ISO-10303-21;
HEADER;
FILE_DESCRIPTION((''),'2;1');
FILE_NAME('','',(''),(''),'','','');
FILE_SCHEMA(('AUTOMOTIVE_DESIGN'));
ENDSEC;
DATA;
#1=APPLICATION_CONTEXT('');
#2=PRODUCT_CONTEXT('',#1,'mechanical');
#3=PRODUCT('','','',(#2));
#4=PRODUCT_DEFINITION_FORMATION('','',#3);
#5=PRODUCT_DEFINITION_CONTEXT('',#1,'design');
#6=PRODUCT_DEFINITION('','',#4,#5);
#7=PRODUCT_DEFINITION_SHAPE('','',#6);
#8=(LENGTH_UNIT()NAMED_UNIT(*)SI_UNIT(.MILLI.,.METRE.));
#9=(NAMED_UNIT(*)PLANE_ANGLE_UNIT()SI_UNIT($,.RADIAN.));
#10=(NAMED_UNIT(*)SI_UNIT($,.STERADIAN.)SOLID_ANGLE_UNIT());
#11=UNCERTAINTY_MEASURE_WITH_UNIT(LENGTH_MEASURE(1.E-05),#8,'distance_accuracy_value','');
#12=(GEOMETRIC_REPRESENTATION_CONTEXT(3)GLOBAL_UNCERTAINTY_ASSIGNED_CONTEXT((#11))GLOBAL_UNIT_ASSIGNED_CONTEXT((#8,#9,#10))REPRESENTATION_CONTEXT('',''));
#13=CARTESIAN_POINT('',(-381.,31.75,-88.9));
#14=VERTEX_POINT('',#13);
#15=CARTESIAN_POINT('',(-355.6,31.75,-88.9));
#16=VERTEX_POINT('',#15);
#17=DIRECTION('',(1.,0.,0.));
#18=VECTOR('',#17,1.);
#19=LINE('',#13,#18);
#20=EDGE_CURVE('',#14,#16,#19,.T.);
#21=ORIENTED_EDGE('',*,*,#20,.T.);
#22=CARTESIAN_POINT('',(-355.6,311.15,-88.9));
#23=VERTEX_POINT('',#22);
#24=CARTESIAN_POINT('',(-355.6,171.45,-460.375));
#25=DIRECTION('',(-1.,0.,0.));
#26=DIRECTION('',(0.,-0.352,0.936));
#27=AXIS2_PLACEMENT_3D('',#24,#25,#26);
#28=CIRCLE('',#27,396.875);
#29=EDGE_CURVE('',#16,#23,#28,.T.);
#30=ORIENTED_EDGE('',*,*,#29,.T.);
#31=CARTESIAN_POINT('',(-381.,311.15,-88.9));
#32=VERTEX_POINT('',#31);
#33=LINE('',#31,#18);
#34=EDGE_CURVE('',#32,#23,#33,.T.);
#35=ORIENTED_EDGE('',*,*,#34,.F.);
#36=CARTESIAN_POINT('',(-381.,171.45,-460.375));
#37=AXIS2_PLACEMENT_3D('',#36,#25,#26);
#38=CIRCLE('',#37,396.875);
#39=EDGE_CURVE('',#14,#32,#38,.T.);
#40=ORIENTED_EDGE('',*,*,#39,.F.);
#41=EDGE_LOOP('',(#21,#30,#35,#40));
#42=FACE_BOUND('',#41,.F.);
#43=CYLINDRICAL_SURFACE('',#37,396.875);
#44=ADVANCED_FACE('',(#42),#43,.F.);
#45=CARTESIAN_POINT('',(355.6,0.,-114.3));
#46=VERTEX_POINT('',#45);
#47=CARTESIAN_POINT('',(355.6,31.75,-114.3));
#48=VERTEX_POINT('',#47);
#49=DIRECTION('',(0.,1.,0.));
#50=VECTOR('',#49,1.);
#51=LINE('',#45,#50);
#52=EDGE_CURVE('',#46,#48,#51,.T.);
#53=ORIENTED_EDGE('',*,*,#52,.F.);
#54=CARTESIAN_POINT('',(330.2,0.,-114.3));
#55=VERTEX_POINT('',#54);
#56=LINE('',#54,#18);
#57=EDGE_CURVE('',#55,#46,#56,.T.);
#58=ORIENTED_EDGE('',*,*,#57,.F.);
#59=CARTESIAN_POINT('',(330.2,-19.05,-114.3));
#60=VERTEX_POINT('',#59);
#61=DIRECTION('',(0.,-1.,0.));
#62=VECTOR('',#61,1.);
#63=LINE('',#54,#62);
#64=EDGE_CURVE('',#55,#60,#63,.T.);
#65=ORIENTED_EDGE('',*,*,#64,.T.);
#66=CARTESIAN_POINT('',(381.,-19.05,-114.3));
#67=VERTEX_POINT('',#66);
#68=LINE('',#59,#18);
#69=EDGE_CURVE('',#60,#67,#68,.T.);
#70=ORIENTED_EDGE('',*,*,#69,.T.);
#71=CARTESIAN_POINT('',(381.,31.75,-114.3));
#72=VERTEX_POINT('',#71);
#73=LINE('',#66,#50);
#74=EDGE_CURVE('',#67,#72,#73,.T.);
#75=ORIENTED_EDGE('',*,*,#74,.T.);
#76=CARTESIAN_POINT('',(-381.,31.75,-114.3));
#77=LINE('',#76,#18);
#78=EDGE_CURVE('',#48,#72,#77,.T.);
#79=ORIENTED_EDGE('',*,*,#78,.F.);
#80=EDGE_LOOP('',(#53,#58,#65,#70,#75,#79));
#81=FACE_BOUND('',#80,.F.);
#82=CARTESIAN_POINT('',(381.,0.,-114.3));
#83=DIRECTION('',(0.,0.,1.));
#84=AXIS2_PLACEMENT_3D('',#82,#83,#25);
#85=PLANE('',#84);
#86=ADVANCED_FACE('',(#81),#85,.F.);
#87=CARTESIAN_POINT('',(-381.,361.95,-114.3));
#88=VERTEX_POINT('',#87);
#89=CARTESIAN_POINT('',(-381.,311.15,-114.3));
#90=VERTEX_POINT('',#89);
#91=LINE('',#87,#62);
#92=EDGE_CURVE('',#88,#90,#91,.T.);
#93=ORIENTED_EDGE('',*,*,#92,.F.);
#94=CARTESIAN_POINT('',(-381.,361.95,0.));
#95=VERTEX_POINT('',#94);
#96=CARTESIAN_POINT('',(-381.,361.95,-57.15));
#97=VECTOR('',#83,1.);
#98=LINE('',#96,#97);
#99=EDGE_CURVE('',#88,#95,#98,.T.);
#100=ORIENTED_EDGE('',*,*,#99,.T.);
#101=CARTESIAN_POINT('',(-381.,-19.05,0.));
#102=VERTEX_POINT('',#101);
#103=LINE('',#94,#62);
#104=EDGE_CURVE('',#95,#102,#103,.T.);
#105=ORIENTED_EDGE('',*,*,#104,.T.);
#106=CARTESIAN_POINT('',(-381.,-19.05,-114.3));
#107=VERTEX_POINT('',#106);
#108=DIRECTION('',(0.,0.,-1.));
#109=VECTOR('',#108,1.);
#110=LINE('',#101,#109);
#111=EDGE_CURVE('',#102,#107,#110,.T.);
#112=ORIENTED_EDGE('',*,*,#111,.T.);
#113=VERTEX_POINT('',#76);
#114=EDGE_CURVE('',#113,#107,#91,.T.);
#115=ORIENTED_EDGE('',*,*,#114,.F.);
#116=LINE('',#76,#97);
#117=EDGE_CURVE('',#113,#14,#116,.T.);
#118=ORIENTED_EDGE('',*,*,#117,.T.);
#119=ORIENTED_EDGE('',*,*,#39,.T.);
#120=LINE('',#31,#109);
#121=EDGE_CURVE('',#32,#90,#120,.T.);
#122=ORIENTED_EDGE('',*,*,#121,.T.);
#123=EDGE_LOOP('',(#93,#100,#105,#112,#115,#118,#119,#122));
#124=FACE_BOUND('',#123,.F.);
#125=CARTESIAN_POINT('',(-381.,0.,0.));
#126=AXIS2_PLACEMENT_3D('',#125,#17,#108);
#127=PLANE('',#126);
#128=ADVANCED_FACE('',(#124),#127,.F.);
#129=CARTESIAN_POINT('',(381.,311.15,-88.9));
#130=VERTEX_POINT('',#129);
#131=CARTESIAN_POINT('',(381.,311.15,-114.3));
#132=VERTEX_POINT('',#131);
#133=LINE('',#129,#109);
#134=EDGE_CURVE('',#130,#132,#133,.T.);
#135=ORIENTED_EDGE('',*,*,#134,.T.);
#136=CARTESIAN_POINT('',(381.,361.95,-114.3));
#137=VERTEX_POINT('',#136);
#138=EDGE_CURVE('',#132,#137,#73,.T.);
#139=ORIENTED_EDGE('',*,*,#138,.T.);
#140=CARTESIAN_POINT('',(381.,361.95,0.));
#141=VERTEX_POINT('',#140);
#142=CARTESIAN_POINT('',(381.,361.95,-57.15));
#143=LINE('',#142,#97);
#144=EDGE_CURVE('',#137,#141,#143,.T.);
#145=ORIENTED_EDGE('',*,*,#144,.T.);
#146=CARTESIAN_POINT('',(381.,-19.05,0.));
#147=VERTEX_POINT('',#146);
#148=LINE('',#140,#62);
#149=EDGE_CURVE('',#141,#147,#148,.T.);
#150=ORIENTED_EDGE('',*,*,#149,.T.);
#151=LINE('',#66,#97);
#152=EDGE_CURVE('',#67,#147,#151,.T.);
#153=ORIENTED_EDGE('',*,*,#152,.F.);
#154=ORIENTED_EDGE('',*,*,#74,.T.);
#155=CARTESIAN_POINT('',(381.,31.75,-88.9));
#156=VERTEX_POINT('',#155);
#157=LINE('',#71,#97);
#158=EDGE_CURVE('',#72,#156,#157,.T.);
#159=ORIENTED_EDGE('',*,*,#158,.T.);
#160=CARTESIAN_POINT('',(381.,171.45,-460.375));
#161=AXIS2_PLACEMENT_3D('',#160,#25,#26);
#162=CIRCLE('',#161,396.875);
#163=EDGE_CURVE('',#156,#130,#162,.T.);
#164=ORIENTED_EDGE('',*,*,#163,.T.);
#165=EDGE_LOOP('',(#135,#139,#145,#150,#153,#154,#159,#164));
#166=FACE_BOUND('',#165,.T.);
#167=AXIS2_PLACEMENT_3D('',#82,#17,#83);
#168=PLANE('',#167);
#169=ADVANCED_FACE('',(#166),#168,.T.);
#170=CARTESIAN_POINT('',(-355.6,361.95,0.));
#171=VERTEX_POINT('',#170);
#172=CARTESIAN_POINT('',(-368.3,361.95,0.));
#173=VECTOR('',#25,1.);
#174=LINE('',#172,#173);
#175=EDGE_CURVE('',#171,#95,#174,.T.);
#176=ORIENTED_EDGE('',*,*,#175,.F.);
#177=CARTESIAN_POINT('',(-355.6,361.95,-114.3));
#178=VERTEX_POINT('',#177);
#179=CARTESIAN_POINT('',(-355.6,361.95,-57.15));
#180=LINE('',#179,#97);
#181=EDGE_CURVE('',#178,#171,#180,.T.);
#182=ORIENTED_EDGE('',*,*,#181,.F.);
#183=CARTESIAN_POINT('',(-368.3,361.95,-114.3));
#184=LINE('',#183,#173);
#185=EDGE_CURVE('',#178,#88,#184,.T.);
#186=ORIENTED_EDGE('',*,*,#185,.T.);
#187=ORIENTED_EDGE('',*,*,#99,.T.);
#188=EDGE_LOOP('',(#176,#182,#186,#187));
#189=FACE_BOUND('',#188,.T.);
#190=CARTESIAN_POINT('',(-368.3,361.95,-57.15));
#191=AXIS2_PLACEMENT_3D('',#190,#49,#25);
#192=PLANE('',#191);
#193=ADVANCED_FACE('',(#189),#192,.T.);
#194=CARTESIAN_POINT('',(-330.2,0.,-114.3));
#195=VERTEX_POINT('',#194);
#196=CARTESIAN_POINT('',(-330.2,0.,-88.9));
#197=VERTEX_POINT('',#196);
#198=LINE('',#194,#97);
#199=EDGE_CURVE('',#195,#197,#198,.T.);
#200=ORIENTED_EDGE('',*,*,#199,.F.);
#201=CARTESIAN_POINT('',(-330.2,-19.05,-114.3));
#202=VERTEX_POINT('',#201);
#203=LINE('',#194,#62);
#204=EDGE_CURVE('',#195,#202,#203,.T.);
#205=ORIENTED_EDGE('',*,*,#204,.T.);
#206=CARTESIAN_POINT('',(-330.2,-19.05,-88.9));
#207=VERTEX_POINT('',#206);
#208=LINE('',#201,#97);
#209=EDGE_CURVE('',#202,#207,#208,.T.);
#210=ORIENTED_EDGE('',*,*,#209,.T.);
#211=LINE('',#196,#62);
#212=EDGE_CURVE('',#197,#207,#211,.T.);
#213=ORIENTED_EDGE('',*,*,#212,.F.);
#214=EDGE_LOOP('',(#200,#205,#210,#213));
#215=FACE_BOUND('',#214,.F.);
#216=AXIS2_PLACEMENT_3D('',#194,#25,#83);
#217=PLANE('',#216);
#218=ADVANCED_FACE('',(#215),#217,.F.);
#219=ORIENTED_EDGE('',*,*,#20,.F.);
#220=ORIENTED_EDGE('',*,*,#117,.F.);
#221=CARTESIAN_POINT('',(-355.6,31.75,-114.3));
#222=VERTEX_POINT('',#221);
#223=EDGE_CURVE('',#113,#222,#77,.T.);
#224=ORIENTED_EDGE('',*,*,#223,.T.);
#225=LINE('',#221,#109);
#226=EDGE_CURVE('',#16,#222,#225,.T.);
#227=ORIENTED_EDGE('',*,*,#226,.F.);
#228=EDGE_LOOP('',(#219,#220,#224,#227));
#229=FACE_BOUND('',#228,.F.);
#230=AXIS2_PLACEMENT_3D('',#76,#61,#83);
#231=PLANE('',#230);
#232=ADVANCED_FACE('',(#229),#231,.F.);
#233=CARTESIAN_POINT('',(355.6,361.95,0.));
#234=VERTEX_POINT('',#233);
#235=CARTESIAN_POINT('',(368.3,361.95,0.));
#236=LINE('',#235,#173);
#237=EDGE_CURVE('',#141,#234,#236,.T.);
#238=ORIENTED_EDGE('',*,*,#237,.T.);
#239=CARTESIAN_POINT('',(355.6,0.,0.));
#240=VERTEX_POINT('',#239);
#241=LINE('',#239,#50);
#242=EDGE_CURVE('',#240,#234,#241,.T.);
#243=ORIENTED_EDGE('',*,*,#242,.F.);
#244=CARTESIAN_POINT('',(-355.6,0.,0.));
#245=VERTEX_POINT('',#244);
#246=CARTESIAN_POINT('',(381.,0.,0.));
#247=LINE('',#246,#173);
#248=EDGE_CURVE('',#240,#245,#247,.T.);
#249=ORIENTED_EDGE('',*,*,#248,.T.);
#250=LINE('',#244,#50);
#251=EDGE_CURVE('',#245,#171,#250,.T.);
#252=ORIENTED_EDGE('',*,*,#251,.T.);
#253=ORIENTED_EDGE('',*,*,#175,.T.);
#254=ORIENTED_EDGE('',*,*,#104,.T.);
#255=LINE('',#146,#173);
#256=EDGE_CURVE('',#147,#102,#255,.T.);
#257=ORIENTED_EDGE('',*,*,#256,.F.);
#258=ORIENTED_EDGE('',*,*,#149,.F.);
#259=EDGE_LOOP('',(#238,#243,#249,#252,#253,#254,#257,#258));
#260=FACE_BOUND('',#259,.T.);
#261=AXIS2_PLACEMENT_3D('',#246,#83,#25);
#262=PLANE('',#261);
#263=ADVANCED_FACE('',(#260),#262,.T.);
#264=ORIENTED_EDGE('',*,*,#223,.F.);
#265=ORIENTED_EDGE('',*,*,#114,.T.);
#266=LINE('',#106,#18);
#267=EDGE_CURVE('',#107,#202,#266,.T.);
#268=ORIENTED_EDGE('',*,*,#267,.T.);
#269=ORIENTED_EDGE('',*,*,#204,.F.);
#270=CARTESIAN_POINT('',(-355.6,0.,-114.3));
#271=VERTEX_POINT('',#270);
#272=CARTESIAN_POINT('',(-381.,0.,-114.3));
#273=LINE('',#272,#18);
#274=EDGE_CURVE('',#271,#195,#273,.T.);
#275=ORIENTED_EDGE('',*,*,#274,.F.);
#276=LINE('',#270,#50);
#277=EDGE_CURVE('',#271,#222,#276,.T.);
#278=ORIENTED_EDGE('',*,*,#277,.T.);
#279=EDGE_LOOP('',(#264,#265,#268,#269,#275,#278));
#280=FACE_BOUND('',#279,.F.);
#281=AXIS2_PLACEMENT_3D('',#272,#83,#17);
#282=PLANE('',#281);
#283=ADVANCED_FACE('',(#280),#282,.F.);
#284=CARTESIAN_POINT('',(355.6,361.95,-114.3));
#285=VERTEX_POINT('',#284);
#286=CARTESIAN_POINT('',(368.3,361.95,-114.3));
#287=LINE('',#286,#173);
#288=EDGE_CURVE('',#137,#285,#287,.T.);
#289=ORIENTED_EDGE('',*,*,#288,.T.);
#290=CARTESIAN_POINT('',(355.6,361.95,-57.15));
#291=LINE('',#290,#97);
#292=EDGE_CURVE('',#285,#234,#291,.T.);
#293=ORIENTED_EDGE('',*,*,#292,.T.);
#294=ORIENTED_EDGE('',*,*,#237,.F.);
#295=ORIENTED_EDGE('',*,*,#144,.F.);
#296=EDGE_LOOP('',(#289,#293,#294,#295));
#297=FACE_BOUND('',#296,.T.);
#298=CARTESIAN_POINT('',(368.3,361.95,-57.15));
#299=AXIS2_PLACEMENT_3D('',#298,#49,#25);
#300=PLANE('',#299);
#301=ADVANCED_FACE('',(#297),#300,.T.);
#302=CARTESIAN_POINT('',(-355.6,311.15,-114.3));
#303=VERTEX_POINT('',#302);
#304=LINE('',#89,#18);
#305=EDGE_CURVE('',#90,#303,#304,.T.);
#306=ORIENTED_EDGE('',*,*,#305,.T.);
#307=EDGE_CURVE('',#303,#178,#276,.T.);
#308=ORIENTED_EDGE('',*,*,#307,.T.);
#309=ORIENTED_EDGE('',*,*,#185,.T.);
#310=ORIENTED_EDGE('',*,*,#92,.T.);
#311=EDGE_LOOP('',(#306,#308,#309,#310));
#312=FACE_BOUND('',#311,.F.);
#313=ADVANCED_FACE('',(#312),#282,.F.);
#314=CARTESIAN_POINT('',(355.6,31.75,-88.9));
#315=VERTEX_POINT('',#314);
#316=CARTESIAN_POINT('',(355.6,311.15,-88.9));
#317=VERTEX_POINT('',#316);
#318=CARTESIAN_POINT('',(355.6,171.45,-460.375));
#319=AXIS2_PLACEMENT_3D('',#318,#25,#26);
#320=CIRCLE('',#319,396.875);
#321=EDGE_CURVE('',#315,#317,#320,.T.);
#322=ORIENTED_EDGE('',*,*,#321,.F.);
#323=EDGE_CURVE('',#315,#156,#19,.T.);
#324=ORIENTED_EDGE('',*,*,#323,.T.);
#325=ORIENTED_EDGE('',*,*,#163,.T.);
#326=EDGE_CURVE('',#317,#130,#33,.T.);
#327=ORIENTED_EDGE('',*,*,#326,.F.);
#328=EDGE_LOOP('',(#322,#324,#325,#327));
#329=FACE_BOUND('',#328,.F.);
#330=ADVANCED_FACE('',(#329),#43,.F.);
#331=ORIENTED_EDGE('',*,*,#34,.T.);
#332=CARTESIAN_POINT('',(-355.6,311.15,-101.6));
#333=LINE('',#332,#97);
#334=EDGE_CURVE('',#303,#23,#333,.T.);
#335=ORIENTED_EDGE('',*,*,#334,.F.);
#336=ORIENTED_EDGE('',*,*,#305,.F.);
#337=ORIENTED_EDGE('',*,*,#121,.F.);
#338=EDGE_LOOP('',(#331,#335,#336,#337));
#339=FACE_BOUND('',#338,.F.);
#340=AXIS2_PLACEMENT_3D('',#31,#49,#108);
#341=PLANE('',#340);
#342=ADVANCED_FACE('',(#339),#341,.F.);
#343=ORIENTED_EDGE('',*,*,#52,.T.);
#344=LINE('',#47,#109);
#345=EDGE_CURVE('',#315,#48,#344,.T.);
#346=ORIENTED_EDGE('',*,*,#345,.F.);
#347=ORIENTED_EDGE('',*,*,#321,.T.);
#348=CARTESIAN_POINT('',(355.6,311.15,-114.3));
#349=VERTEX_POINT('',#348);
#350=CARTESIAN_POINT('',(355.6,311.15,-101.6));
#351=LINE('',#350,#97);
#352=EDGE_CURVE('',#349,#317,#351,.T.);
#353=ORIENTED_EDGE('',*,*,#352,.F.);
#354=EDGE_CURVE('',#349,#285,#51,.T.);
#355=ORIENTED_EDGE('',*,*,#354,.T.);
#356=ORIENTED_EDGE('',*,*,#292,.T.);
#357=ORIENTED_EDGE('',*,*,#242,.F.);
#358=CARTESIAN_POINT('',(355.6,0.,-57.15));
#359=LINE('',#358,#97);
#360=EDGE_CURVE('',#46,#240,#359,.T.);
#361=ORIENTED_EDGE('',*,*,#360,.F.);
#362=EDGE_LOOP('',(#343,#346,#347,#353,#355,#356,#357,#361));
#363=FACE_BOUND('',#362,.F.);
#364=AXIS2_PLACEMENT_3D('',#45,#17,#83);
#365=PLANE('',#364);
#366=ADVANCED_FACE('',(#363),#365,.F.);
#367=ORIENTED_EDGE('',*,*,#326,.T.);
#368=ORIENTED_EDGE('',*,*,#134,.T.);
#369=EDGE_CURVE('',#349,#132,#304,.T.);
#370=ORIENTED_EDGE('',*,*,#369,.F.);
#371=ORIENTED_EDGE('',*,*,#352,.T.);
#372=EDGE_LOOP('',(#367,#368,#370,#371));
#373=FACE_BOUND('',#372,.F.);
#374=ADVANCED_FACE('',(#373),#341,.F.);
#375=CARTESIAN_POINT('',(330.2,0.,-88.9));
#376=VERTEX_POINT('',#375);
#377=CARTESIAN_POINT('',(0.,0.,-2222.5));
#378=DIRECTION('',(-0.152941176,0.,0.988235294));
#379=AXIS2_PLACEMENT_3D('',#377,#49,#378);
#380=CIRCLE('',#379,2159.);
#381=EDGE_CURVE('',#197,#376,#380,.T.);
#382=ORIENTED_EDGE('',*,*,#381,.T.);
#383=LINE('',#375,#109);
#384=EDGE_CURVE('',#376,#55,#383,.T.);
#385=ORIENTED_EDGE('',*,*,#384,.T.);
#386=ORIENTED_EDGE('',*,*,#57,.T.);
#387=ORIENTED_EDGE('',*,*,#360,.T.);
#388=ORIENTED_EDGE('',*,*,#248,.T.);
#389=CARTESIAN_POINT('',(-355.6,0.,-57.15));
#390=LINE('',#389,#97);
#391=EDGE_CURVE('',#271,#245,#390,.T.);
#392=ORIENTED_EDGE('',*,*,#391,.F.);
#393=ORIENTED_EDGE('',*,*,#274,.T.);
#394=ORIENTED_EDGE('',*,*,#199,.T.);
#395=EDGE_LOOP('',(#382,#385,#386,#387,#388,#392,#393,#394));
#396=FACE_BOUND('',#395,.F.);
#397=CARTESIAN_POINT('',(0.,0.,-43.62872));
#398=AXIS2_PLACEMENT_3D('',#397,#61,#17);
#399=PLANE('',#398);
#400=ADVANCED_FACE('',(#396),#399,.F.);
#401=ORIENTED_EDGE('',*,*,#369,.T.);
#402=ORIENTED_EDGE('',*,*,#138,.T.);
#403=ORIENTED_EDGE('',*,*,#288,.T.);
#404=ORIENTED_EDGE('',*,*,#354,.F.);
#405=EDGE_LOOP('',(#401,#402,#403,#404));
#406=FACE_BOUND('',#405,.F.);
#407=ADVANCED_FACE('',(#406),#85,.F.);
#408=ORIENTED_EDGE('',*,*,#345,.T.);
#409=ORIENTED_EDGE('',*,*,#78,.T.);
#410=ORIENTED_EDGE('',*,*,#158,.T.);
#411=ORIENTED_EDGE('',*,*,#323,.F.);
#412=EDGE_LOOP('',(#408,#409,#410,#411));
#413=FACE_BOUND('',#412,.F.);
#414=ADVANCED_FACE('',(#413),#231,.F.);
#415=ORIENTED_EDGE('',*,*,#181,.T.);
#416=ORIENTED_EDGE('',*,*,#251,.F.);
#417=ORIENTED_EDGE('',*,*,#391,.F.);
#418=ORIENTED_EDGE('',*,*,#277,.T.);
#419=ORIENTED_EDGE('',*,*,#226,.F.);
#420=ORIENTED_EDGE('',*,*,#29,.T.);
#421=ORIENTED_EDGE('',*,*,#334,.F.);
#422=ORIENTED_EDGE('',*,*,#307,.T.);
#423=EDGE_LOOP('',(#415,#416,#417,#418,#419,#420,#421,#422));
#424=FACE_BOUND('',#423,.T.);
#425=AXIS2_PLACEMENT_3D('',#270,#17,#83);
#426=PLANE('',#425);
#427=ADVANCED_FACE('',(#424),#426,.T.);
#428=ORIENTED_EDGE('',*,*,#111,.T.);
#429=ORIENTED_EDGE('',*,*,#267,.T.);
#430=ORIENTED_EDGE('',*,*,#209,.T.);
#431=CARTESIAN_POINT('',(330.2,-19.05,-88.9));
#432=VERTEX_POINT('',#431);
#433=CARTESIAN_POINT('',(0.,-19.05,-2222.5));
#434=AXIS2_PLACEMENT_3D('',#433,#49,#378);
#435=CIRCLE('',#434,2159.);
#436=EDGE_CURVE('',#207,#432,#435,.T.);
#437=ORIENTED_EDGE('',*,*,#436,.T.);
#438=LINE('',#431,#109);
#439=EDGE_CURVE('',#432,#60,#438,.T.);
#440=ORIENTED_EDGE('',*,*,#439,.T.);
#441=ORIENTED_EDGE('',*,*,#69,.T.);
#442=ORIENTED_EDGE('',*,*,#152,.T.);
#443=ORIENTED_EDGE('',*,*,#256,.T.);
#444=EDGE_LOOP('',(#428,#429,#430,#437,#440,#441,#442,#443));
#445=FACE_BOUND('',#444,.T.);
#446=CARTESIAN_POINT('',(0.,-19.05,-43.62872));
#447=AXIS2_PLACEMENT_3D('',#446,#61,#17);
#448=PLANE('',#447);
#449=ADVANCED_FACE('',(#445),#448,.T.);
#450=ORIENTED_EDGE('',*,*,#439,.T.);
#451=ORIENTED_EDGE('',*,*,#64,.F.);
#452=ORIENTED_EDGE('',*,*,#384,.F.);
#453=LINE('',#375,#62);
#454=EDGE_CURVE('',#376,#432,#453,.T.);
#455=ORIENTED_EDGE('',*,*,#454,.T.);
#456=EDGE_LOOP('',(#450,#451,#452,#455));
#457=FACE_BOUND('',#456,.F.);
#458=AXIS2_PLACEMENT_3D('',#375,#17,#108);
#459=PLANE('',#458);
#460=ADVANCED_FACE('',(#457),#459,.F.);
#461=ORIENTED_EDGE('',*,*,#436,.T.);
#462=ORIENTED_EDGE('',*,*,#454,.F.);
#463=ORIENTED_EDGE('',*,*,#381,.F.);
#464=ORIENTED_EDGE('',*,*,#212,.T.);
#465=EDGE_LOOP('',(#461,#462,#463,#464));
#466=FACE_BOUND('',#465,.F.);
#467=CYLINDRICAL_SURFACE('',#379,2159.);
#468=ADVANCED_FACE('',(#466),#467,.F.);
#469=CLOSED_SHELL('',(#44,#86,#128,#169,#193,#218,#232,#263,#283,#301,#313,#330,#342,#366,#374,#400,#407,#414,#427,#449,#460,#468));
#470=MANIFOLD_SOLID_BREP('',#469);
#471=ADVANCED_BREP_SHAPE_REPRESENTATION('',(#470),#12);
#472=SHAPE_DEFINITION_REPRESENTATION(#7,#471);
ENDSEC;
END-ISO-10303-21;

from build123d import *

# Parameters (mm, degrees)
F1_DEPTH = 19.05
F2_W     = 25.4
F2_H     = 114.3
F3_DEPTH = 361.95
F5_DEPTH = 762


with BuildPart() as f1:
    # F0 (on Front) → F1 (new body)
    with BuildSketch(Plane.XZ):
        with BuildLine():
            Line((381, 0), (-381, 0))
            Line((-381, 0), (-381, -114.3))
            Line((-381, -114.3), (-330.2, -114.3))
            Line((-330.2, -114.3), (-330.2, -88.9))
            ThreePointArc((-330.2, -88.9), (0, -63.5), (330.2, -88.9))
            Line((330.2, -88.9), (330.2, -114.3))
            Line((330.2, -114.3), (381, -114.3))
            Line((381, -114.3), (381, 0))
        make_face()
    extrude(amount=F1_DEPTH)

    # F2 (on face) → F3 (join)
    with BuildSketch(Plane(origin=(0, 0, 0), x_dir=(-1, 0, 0), z_dir=(0, 1, 0))):
        with Locations((-368.3, -57.15)):
            Rectangle(F2_W, F2_H)
        with Locations((368.3, -57.15)):
            Rectangle(F2_W, F2_H)
    extrude(amount=F3_DEPTH)

    # F4 (on face) → F5 (cut)
    with BuildSketch(Plane(origin=(-381, 0, 0), x_dir=(0, -1, 0), z_dir=(-1, 0, 0))):
        with BuildLine():
            Line((-311.15, -88.9), (-311.15, -114.3))
            Line((-311.15, -114.3), (-31.75, -114.3))
            Line((-31.75, -114.3), (-31.75, -88.9))
            ThreePointArc((-31.75, -88.9), (-171.45, -63.5), (-311.15, -88.9))
        make_face()
    extrude(amount=-F5_DEPTH, mode=Mode.SUBTRACT)


solid = f1.part
